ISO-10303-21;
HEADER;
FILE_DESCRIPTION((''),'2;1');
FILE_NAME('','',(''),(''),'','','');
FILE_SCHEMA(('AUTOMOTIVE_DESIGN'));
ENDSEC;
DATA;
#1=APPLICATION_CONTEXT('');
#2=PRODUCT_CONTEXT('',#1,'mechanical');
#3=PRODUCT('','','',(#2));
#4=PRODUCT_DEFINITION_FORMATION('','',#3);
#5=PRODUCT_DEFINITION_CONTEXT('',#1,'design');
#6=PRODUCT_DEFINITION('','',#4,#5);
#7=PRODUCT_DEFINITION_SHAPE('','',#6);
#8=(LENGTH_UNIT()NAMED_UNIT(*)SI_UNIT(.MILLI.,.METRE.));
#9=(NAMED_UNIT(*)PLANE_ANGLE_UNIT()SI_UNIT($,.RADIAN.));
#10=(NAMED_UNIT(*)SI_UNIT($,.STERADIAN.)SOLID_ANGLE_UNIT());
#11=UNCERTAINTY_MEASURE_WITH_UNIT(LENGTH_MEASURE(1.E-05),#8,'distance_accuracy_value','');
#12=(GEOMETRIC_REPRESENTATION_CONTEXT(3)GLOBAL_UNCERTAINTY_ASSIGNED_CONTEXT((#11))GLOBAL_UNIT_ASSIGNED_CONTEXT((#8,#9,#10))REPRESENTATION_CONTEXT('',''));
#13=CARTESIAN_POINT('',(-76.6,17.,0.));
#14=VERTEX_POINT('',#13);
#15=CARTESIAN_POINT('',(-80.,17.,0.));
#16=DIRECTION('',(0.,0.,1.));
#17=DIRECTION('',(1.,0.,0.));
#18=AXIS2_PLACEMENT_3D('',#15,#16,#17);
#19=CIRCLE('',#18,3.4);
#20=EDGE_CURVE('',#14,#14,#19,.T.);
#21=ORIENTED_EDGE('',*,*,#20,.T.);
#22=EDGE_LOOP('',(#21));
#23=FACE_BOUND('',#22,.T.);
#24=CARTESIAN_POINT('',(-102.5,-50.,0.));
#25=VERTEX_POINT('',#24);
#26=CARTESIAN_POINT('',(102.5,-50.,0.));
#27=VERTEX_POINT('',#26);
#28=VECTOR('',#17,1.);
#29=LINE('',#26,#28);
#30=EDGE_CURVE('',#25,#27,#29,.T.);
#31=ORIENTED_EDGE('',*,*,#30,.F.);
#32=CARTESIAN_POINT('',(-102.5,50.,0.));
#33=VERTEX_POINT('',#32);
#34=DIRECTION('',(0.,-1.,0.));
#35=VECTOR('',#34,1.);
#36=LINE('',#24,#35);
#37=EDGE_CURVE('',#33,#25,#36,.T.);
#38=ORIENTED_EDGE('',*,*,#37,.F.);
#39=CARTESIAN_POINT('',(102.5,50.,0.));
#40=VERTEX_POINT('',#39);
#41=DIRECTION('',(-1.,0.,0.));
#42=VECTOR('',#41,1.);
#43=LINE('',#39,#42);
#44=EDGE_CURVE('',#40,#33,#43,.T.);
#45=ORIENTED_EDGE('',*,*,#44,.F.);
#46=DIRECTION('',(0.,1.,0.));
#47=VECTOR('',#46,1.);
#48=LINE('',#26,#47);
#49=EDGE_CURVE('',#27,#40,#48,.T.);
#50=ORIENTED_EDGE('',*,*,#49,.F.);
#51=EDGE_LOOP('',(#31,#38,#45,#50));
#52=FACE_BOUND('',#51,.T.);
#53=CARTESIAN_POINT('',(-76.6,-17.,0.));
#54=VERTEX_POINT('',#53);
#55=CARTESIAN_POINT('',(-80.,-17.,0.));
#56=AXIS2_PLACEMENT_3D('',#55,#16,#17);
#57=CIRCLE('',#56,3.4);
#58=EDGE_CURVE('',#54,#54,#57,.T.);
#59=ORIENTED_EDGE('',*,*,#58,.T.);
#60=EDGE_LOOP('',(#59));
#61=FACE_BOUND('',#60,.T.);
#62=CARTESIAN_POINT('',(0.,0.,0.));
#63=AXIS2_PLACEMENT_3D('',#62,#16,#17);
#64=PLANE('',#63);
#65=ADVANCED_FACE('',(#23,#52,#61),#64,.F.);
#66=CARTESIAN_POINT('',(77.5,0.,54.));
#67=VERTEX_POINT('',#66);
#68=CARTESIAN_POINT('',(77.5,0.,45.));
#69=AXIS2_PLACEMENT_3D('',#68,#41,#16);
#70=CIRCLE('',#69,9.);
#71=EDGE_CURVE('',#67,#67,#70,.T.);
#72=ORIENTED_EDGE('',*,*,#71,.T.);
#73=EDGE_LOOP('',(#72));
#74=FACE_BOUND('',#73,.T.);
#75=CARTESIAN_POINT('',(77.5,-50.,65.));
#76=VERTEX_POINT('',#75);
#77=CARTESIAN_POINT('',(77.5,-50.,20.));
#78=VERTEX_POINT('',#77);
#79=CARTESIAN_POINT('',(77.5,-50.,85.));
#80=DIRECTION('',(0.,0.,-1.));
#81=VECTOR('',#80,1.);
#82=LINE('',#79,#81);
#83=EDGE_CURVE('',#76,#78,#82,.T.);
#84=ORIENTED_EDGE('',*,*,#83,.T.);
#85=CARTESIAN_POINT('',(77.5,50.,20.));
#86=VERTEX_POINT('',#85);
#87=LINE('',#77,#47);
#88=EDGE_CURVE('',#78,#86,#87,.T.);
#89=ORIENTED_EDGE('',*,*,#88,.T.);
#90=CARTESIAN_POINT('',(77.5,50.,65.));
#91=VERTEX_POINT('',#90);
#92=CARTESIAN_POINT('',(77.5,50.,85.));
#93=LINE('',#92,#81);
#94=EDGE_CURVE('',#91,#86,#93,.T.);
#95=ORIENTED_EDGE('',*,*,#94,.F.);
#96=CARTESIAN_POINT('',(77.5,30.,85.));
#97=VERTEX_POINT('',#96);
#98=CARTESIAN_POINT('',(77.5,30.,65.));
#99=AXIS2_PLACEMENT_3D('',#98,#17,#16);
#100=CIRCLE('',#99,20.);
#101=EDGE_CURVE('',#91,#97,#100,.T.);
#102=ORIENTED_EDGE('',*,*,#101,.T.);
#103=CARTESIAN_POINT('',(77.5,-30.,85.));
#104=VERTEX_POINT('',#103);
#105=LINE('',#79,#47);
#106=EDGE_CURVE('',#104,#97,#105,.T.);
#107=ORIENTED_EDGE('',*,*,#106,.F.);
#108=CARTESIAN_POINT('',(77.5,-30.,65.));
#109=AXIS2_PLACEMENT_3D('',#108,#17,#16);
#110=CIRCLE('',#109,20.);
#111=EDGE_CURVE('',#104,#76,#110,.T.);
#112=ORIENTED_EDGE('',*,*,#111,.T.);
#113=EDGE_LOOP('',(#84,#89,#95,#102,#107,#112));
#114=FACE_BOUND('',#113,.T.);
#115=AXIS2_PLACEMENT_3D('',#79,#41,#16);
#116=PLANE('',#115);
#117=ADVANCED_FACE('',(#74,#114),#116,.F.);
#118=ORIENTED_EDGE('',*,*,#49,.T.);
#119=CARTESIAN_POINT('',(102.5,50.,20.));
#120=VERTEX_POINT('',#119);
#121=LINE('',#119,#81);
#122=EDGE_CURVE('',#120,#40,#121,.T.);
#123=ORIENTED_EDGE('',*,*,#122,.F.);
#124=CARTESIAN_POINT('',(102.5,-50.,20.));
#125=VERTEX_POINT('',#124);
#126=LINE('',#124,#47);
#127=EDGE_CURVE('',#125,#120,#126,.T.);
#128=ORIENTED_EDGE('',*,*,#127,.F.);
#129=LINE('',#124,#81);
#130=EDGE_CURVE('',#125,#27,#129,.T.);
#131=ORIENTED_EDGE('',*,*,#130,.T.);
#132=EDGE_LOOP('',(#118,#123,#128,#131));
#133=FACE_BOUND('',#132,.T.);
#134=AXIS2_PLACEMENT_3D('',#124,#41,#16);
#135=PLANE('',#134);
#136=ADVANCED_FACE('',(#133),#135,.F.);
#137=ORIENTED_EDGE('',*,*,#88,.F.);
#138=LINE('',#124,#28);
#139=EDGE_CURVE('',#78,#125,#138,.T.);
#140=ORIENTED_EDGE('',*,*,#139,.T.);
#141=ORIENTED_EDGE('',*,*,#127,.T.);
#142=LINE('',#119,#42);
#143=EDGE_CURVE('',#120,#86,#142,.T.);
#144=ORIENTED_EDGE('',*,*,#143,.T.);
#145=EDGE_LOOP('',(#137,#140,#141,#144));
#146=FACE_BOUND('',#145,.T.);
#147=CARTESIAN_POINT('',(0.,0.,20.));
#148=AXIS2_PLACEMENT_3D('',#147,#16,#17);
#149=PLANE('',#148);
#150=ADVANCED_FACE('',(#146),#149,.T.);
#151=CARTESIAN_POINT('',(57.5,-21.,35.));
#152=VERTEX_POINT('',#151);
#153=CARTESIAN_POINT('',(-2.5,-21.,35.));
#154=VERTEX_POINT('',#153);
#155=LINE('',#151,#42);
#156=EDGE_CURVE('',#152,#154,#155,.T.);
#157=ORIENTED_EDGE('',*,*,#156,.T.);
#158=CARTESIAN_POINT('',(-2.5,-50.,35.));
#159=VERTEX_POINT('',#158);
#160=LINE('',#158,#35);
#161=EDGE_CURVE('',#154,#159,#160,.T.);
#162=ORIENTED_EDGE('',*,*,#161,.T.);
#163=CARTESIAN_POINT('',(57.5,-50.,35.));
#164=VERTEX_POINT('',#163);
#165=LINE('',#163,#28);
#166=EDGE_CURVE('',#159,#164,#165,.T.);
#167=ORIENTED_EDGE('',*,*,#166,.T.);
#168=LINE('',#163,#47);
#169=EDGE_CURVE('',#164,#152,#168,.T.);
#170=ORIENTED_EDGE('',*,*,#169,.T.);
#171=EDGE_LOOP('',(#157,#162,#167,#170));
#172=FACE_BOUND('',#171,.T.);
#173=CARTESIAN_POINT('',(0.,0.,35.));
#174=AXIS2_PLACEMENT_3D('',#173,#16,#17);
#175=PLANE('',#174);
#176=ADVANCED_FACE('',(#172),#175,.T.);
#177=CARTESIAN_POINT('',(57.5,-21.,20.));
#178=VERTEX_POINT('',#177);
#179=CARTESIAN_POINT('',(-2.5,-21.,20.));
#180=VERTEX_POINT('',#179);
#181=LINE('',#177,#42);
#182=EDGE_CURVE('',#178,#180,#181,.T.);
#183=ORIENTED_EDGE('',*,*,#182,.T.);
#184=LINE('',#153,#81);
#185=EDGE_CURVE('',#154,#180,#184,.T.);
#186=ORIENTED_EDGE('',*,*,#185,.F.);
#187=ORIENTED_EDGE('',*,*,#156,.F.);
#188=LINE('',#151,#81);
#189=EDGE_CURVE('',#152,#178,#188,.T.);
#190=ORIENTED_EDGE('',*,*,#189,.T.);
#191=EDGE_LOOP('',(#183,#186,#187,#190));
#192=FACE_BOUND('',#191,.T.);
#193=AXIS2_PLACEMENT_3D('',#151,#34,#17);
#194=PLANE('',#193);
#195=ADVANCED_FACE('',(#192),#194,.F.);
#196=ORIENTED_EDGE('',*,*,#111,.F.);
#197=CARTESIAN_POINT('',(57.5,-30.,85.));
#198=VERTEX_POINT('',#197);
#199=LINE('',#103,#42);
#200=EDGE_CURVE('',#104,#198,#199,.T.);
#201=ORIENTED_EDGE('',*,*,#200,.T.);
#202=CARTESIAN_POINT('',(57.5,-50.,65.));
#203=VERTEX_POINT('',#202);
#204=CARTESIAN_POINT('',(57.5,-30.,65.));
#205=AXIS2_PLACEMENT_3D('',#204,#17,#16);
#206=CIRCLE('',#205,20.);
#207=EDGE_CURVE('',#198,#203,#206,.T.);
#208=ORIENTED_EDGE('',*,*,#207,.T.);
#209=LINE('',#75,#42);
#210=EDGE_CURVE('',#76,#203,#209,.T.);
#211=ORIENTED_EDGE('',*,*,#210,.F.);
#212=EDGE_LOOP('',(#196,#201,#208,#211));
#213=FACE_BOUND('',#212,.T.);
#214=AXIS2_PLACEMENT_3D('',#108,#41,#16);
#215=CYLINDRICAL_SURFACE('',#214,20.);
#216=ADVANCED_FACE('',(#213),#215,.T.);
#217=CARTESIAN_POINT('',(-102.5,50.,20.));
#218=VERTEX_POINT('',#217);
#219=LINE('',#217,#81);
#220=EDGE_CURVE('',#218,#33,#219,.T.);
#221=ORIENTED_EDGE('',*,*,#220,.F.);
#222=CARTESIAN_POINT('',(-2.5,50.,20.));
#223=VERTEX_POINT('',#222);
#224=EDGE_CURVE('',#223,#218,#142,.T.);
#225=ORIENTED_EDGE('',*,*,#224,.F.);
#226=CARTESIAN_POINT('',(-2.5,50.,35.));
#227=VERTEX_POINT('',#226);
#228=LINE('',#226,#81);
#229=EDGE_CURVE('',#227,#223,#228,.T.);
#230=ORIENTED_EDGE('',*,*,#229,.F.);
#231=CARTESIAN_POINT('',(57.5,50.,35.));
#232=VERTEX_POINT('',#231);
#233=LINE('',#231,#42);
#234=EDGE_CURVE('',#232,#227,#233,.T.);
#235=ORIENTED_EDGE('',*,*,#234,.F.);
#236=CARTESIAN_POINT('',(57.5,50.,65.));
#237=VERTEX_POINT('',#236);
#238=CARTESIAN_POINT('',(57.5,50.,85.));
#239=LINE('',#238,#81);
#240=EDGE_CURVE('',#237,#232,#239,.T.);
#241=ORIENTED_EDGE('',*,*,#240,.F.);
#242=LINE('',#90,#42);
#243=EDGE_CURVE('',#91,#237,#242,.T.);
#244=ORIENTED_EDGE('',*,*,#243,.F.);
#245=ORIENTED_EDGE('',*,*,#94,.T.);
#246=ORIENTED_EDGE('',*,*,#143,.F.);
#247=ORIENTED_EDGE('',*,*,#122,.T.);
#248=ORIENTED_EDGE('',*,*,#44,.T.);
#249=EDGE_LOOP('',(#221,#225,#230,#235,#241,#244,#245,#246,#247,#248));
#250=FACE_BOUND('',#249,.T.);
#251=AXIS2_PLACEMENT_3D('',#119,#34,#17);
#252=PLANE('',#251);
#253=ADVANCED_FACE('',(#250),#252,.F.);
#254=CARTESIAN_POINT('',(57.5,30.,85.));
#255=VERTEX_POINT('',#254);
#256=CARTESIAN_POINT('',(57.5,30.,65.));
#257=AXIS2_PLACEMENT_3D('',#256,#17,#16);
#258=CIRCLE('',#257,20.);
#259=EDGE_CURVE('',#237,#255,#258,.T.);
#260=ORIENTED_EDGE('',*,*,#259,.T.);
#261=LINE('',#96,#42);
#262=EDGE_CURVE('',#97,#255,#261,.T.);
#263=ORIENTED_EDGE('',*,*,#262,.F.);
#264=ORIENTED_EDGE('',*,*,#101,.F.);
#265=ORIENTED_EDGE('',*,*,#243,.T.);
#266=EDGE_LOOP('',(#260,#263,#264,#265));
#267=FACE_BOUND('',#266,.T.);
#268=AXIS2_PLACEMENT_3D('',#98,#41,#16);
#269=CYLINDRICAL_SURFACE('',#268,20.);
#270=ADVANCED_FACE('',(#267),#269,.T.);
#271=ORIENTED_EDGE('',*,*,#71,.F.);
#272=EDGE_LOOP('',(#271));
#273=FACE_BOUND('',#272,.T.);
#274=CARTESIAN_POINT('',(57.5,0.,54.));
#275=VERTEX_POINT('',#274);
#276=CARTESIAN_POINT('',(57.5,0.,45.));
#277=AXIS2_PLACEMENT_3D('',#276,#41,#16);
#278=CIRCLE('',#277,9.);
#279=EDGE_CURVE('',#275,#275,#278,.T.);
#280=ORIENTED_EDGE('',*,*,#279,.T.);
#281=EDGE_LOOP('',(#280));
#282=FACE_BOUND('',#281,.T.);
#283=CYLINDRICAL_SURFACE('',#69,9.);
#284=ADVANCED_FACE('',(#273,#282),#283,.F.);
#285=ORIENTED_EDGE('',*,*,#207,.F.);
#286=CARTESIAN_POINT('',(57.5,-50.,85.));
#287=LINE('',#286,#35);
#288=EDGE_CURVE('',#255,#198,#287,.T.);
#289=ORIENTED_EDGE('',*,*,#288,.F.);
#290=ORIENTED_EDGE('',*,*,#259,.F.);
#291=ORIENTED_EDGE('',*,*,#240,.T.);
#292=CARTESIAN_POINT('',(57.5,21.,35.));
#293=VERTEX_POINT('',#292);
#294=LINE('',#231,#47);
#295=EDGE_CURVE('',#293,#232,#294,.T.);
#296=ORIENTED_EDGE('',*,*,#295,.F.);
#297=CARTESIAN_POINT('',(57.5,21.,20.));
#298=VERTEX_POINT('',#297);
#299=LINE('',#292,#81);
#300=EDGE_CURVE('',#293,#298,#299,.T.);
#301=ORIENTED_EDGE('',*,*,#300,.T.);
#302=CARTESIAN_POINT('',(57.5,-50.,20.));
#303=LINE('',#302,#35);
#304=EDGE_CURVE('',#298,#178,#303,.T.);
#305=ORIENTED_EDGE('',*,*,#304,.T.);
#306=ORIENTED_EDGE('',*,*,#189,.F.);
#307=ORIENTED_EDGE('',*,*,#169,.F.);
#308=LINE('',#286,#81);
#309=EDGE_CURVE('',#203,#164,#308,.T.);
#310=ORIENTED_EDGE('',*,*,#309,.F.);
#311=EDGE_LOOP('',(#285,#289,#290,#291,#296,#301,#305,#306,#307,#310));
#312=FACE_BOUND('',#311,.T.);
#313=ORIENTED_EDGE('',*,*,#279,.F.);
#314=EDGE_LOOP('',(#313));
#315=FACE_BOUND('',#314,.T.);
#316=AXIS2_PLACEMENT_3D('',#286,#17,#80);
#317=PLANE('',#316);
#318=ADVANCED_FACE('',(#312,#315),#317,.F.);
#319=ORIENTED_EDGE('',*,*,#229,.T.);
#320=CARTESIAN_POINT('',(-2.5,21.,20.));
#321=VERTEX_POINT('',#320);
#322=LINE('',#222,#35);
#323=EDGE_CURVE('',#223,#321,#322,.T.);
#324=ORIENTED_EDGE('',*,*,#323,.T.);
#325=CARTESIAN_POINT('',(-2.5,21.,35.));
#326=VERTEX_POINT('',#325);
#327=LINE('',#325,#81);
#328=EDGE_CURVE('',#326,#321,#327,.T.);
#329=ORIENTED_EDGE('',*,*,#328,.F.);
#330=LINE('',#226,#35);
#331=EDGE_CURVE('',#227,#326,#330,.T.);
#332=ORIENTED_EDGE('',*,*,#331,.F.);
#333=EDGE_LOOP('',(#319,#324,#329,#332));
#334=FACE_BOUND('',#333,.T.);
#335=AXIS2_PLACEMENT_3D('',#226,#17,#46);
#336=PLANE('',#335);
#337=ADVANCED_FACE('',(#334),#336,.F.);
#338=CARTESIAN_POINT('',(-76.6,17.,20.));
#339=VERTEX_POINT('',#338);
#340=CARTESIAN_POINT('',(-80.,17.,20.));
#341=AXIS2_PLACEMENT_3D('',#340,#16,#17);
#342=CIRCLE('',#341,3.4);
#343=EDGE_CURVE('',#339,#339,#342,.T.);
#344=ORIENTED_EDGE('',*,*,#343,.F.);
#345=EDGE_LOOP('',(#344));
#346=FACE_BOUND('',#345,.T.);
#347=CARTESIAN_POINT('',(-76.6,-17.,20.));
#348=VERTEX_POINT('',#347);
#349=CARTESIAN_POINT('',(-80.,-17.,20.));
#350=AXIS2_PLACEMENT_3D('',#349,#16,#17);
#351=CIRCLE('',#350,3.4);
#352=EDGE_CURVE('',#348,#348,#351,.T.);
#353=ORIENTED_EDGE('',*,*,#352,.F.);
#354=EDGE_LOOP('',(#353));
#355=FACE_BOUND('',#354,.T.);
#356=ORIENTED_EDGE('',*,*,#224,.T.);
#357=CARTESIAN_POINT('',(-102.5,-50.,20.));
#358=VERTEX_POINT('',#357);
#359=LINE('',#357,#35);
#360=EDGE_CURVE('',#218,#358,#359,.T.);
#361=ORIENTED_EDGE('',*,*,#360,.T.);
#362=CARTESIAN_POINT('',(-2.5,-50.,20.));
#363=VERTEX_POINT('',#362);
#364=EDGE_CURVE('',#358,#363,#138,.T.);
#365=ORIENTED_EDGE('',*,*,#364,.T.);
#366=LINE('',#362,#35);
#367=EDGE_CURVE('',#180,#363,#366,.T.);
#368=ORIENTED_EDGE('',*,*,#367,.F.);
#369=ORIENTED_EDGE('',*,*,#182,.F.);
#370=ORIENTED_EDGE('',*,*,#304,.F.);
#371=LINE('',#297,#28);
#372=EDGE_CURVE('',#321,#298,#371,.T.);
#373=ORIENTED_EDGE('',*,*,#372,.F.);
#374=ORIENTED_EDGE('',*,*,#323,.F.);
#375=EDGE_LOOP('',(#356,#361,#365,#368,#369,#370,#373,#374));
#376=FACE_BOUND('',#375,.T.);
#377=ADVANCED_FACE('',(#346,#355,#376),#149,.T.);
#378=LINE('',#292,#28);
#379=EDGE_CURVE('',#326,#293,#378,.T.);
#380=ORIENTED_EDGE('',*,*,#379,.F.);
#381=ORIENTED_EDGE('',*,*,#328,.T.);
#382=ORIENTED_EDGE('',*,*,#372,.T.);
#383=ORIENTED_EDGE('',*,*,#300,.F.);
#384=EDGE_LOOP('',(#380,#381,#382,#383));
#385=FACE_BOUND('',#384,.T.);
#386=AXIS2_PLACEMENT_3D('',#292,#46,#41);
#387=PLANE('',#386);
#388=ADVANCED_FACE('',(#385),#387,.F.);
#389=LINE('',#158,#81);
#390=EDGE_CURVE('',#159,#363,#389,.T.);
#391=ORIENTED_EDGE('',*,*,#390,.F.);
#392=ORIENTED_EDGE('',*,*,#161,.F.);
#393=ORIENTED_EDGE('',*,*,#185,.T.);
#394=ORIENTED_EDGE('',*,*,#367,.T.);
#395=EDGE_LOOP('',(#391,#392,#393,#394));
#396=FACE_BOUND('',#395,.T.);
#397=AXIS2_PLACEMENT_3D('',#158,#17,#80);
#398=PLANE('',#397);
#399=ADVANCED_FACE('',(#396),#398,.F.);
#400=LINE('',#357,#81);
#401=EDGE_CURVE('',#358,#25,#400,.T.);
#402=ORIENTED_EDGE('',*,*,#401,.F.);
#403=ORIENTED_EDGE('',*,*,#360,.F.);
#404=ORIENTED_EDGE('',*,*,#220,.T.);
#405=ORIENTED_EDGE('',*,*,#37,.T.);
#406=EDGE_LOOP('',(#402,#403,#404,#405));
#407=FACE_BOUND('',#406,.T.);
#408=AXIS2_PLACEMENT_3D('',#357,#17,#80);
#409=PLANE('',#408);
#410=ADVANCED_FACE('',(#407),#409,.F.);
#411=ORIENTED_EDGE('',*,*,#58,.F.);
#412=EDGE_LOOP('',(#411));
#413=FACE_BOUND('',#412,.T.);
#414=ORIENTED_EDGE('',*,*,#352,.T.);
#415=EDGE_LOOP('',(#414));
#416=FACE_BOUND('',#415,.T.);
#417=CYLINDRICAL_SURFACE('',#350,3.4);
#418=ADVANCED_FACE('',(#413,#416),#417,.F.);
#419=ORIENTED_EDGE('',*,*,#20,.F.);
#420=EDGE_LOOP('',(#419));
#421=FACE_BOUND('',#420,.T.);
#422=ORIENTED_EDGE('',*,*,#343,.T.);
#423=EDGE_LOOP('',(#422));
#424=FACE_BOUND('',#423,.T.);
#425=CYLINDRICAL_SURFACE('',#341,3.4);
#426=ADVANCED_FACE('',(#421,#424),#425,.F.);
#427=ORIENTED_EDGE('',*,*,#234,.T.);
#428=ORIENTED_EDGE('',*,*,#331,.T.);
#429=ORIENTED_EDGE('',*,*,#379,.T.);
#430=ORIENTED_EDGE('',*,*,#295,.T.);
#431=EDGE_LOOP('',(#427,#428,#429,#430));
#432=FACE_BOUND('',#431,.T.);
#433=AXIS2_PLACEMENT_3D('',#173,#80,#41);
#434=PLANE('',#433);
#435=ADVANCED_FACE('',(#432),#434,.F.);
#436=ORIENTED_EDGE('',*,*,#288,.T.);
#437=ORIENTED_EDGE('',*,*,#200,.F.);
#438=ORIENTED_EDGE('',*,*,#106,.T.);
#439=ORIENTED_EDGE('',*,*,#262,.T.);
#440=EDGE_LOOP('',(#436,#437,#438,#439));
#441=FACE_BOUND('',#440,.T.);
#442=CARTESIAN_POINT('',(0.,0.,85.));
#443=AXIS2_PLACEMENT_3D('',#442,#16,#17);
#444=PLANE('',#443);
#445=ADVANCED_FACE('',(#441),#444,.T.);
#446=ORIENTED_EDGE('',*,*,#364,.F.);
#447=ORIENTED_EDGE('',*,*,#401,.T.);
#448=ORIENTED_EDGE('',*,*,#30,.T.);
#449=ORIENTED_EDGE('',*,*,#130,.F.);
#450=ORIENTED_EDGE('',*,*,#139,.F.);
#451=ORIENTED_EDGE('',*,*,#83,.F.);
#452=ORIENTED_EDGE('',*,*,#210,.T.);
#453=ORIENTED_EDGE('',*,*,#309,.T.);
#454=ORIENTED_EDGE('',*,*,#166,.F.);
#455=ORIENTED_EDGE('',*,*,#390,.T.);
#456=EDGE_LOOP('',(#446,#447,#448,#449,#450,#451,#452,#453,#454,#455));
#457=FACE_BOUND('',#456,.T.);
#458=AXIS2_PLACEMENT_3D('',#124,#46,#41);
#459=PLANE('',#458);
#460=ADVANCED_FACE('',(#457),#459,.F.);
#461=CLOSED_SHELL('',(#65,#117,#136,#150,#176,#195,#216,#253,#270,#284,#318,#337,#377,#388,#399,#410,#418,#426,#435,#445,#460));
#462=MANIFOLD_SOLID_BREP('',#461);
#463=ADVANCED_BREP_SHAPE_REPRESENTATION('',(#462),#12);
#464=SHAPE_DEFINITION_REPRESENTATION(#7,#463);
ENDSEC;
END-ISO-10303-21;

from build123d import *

# Parameters (mm, degrees)
SCHIZZO1_W                   = 205
SCHIZZO1_H                   = 100
ESTRUSIONE_ESTRUSIONE1_DEPTH = 20
SCHIZZO2_W                   = 20
SCHIZZO2_H                   = 100
ESTRUSIONE_ESTRUSIONE2_DEPTH = 65
TAGLIO_ESTRUSIONE1_DEPTH     = 20
SCHIZZO4_R                   = 9
TAGLIO_ESTRUSIONE2_DEPTH     = 20
SCHIZZO5_W                   = 60
SCHIZZO5_H                   = 29
ESTRUSIONE_ESTRUSIONE3_DEPTH = 15
FORO_FILETTATO_M8_1_D        = 6.8


with BuildPart() as part:
    # Schizzo1 → Estrusione-Estrusione1 (new body)
    with BuildSketch(Plane.XY):
        Rectangle(SCHIZZO1_W, SCHIZZO1_H)
    extrude(amount=ESTRUSIONE_ESTRUSIONE1_DEPTH)

    # Schizzo2 → Estrusione-Estrusione2 (add)
    with BuildSketch(Plane.XY.offset(20)):
        with Locations((67.5, 0)):
            Rectangle(SCHIZZO2_W, SCHIZZO2_H)
    extrude(amount=ESTRUSIONE_ESTRUSIONE2_DEPTH)

    # Schizzo3 → Taglio-Estrusione1 (cut)
    with BuildSketch(Plane.ZY.offset(-57.5)):
        with BuildLine():
            Line((65, 50), (85, 50))
            Line((85, 50), (85, 30))
            ThreePointArc((85, 30), (79.142135624, 44.142135624), (65, 50))
        make_face()
        with BuildLine():
            Line((85, -30), (85, -50))
            Line((85, -50), (65, -50))
            ThreePointArc((65, -50), (79.142135624, -44.142135624), (85, -30))
        make_face()
    extrude(amount=-TAGLIO_ESTRUSIONE1_DEPTH, mode=Mode.SUBTRACT)

    # Schizzo4 → Taglio-Estrusione2 (cut)
    with BuildSketch(Plane.ZY.offset(-57.5)):
        with Locations((45, 0)):
            Circle(SCHIZZO4_R)
    extrude(amount=-TAGLIO_ESTRUSIONE2_DEPTH, mode=Mode.SUBTRACT)

    # Schizzo5 → Estrusione-Estrusione3 (add)
    with BuildSketch(Plane.XY.offset(20)):
        with Locations((27.5, -35.5)):
            Rectangle(SCHIZZO5_W, SCHIZZO5_H)
        with Locations((27.5, 35.5)):
            Rectangle(SCHIZZO5_W, SCHIZZO5_H)
    extrude(amount=ESTRUSIONE_ESTRUSIONE3_DEPTH)

    # Foro filettato M8-1 (through all)
    with Locations(Plane(origin=(-80, 17, 20), x_dir=(1, 0, 0), z_dir=(0, 0, 1))):
        with Locations((0, 0), (0, -34)):
            Hole(FORO_FILETTATO_M8_1_D / 2)


solid = part.part
